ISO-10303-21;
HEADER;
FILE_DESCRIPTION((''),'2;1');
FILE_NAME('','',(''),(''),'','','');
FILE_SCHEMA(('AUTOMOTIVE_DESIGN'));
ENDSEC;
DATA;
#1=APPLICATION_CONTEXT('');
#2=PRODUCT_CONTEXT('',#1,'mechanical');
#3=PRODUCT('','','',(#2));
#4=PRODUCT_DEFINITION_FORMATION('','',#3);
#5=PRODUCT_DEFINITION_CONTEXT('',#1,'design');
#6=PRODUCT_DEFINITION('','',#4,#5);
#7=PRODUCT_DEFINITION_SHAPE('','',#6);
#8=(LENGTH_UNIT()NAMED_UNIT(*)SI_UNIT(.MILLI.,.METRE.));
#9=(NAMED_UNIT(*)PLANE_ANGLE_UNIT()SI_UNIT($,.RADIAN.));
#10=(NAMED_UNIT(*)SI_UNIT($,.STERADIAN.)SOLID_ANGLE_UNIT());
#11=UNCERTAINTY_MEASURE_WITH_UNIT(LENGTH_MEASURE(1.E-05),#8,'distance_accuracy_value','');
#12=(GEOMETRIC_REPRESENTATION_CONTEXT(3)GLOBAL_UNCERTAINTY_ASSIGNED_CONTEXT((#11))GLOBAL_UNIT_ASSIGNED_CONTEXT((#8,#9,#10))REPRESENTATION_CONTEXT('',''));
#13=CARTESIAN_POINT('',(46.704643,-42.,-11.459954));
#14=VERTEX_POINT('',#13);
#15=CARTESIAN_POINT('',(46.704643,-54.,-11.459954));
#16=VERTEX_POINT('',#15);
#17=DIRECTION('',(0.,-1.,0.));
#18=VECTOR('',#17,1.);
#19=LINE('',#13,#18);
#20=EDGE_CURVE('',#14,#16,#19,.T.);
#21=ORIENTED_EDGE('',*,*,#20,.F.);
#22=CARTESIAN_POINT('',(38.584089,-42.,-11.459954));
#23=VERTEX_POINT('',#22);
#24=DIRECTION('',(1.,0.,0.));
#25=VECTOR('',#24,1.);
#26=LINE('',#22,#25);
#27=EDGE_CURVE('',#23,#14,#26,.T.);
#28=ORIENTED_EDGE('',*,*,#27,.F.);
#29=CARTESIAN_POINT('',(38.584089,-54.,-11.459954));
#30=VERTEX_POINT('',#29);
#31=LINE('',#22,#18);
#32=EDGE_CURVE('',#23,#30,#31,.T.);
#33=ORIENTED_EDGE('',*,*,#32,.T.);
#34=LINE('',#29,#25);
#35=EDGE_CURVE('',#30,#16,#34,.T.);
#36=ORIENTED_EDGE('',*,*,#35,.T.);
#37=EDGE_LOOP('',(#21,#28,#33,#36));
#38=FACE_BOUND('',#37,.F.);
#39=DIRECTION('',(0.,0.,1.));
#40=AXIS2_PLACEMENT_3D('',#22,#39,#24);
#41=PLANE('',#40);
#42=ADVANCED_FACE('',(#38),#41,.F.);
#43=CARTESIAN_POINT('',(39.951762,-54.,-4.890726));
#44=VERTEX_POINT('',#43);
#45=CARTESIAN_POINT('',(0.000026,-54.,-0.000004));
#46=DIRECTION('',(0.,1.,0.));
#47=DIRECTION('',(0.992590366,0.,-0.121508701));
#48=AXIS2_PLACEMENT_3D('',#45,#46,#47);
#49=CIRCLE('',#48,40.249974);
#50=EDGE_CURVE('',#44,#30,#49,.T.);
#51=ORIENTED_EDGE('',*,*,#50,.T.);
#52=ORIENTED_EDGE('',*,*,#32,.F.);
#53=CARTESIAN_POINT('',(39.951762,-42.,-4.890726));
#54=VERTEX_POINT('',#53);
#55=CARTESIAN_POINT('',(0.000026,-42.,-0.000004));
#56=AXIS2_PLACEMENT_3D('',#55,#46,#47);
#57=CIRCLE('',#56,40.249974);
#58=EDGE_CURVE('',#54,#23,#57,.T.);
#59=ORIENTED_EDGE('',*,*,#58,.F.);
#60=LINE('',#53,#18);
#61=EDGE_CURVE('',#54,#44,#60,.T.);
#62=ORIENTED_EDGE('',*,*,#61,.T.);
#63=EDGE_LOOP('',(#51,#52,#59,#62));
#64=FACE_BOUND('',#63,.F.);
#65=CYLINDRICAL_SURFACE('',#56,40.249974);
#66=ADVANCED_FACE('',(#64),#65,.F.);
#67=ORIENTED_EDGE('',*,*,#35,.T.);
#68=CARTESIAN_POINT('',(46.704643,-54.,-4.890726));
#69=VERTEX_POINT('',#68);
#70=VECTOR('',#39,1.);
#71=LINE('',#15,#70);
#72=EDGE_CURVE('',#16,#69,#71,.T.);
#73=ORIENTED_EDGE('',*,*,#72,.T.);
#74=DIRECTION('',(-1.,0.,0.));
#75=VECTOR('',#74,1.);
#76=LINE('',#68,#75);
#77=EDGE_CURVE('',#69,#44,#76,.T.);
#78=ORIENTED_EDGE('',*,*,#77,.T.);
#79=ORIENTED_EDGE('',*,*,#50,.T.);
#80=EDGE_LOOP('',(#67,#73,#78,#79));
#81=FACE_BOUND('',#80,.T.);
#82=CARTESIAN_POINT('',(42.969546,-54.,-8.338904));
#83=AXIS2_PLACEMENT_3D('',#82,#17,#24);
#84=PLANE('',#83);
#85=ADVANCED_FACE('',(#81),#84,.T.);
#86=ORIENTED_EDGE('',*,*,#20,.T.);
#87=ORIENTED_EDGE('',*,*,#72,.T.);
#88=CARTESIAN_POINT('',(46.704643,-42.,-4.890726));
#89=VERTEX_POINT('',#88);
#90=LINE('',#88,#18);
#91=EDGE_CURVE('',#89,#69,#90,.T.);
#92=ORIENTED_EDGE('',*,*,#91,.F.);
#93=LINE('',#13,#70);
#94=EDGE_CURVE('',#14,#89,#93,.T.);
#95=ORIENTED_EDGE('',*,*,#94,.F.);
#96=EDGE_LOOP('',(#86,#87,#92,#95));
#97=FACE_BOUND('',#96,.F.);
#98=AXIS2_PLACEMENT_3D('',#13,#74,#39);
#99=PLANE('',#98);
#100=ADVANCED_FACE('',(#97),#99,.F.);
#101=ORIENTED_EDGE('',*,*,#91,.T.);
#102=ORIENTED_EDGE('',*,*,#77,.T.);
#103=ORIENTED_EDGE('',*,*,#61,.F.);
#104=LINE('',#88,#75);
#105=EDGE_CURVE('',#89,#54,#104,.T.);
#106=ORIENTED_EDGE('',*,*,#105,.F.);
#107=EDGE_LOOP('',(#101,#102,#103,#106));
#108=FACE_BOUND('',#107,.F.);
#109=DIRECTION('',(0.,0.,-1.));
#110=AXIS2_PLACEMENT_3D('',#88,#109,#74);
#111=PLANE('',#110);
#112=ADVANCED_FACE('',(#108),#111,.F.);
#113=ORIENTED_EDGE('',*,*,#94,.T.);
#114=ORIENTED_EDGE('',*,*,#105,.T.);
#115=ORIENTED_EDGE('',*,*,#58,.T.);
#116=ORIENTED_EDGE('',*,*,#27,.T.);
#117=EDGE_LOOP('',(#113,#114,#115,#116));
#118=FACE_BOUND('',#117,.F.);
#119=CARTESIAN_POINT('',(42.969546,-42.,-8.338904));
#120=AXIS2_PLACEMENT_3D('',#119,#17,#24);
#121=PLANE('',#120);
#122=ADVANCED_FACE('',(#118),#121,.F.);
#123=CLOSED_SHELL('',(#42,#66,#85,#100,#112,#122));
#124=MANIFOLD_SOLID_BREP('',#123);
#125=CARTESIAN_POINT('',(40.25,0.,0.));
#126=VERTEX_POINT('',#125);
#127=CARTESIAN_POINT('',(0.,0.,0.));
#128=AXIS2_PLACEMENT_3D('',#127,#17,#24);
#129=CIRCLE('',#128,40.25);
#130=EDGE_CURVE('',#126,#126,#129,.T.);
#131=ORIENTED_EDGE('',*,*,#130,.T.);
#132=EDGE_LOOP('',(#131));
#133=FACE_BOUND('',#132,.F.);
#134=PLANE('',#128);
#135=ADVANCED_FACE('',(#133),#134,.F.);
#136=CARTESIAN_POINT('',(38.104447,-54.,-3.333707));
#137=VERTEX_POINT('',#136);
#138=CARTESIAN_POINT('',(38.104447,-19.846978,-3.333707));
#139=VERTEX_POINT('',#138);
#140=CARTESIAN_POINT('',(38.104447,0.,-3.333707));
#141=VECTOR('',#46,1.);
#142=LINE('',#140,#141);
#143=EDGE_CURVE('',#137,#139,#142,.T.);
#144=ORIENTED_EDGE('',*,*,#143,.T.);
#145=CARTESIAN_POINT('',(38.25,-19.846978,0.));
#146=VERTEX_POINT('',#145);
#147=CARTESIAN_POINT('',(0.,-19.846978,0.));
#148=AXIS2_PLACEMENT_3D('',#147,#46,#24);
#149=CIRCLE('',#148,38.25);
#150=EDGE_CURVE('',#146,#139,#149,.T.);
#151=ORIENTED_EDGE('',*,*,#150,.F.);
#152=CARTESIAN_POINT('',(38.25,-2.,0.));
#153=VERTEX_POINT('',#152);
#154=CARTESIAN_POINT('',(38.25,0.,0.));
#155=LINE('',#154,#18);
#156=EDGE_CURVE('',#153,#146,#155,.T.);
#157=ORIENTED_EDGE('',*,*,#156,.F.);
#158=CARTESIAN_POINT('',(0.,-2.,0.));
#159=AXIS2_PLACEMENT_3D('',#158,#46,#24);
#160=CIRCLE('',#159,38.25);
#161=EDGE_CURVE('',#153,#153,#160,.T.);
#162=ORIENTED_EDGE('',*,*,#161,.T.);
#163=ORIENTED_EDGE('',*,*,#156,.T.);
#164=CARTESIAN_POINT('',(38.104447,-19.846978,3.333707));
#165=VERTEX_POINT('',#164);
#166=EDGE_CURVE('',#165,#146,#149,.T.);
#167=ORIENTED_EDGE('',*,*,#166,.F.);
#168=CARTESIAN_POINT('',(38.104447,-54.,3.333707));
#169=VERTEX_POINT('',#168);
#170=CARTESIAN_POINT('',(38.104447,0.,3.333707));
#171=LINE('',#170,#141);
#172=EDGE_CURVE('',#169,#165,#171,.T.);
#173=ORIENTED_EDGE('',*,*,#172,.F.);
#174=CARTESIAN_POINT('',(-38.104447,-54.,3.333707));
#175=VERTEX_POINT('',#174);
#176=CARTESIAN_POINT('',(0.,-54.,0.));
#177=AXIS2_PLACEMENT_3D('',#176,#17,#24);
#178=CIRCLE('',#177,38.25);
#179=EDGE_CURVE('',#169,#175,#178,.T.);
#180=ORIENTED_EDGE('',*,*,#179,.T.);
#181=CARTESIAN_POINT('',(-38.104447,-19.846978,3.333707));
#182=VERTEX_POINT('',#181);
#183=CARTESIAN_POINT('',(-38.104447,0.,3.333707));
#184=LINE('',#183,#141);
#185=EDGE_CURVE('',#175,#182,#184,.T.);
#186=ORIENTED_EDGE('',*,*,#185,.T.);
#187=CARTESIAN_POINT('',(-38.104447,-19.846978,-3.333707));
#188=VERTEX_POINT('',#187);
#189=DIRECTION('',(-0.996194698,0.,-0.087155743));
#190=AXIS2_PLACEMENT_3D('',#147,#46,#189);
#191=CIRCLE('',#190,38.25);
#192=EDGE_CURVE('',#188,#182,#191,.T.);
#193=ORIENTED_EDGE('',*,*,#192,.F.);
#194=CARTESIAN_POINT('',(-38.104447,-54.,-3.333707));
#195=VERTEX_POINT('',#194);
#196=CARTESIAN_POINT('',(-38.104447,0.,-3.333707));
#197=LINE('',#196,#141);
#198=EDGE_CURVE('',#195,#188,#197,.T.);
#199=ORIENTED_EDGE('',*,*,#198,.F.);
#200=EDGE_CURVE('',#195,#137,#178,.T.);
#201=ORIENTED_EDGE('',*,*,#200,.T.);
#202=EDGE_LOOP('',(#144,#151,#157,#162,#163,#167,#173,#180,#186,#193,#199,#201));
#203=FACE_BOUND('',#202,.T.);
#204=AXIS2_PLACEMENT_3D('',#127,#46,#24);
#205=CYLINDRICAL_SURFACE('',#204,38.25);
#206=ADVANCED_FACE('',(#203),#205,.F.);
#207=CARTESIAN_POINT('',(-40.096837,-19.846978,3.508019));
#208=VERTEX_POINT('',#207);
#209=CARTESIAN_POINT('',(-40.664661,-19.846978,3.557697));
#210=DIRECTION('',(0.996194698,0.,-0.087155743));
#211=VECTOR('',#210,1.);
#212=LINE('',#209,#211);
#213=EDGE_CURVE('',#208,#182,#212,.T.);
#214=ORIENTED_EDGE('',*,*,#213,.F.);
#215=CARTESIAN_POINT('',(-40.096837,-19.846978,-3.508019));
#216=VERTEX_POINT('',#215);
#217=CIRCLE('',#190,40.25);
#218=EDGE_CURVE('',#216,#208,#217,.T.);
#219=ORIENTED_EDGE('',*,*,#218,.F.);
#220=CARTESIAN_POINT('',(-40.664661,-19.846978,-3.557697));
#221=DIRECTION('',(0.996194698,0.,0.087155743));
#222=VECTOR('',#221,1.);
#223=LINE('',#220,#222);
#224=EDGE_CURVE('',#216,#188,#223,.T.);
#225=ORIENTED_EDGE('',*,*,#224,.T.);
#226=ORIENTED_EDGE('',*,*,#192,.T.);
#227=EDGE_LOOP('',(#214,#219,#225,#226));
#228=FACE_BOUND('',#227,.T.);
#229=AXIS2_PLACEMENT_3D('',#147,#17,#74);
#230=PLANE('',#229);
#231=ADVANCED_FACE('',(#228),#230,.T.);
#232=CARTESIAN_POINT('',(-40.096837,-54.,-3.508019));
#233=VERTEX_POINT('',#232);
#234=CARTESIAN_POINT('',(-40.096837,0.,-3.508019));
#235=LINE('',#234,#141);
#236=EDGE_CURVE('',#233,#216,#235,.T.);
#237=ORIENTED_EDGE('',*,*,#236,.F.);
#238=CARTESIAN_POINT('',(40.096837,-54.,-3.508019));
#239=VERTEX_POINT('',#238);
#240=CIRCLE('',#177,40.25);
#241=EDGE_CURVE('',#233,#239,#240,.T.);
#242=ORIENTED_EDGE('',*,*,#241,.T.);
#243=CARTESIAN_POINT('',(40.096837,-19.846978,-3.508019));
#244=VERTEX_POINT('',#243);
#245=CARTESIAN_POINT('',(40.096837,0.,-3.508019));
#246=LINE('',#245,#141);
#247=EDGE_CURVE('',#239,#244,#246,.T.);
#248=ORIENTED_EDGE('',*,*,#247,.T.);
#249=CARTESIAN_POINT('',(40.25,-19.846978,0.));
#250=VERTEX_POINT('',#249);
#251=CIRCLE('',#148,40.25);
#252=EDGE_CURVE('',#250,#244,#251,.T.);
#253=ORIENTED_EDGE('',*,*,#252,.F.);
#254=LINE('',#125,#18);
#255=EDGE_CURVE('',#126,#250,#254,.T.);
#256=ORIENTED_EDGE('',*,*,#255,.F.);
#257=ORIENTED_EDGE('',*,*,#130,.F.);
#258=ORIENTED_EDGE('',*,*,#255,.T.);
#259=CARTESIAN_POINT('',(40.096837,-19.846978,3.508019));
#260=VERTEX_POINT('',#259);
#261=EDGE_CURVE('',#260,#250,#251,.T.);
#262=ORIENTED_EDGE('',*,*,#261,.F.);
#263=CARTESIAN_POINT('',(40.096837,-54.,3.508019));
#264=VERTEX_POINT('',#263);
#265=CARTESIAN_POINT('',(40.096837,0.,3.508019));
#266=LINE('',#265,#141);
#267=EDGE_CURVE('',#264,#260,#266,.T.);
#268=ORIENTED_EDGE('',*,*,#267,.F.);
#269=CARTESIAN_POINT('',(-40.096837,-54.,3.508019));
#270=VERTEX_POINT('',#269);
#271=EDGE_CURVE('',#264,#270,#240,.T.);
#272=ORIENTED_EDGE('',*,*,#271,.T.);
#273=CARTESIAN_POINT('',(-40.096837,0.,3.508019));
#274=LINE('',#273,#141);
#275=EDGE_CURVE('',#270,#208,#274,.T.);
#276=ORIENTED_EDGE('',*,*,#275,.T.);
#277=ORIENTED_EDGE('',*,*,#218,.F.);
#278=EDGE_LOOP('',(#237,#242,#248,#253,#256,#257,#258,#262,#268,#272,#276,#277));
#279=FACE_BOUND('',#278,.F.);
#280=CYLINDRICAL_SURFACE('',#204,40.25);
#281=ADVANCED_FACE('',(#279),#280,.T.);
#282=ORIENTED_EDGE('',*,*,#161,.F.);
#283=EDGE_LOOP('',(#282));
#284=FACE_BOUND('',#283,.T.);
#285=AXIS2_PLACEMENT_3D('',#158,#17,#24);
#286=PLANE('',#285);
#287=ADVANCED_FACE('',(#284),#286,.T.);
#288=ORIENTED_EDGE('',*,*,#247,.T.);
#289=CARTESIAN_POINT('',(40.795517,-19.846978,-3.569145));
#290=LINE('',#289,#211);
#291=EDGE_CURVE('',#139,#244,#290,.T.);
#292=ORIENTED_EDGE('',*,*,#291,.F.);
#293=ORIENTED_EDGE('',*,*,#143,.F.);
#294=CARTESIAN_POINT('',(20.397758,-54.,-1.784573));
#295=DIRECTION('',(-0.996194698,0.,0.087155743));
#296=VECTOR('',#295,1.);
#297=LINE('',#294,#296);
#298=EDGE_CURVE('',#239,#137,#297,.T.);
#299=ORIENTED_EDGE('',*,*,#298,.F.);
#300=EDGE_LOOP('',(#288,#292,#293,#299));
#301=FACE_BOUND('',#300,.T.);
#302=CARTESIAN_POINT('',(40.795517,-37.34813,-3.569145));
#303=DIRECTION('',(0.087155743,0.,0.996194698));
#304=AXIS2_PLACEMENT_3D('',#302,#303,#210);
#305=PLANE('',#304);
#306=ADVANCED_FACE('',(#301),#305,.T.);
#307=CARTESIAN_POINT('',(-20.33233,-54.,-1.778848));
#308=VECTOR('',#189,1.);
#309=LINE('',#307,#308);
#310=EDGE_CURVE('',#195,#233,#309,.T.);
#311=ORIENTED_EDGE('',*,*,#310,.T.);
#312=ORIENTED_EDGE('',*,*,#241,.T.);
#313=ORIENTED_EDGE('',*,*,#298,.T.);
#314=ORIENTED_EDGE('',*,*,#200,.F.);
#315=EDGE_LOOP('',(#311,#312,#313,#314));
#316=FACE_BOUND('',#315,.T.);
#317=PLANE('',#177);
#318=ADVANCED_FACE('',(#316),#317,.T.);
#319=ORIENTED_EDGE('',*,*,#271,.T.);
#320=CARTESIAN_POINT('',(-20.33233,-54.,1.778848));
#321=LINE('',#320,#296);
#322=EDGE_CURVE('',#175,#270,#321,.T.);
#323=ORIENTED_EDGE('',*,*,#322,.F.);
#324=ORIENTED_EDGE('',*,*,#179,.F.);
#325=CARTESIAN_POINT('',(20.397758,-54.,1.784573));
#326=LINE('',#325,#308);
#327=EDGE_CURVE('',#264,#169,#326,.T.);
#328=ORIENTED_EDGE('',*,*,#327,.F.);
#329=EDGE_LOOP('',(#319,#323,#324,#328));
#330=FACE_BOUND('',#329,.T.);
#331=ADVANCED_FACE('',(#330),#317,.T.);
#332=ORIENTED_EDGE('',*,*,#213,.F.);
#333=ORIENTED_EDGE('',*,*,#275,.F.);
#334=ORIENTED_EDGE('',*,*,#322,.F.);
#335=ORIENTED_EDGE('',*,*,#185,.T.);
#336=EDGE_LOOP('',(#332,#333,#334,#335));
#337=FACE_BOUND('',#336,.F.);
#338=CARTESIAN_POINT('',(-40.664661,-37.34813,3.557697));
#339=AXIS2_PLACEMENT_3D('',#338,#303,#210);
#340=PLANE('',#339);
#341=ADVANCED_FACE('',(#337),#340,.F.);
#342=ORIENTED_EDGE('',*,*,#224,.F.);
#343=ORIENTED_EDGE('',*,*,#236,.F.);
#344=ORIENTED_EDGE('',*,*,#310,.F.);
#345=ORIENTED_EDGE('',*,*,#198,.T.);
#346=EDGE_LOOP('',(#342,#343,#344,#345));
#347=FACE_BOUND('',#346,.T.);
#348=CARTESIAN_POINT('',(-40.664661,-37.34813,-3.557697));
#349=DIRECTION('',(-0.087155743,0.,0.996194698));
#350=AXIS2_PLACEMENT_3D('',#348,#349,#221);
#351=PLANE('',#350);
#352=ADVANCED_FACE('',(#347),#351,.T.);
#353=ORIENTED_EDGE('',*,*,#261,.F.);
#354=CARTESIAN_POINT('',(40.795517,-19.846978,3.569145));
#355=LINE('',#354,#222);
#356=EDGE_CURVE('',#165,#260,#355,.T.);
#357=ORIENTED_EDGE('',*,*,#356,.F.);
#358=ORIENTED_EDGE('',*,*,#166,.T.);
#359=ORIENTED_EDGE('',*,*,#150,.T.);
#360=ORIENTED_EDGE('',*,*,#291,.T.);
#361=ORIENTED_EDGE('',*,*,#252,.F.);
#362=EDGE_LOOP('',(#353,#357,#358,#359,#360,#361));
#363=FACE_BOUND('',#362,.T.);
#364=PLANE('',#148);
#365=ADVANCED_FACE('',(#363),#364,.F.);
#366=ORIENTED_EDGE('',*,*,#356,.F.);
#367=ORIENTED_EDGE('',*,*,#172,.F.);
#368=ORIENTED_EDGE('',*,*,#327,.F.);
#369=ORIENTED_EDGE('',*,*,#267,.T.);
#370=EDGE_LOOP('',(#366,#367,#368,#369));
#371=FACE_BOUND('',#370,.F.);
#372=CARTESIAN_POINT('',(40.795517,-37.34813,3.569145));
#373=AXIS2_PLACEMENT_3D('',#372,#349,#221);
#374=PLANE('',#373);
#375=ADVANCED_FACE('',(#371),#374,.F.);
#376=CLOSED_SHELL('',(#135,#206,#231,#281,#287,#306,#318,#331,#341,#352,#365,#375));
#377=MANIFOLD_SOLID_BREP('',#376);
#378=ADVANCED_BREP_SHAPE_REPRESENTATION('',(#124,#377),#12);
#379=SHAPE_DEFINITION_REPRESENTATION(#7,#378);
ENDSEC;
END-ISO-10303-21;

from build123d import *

# Parameters (mm, degrees)
F0_R     = 40.25
F1_DEPTH = 54
F2_T     = -2
F3_W     = 6.55362
F3_H     = 35.002304
F3_W_2   = 6.255735
F4_ANGLE = 10
F6_DEPTH = 12


with BuildPart() as f1:
    # F0 (on Front) → F1 (new body)
    with BuildSketch(Plane.XZ):
        Circle(F0_R)
    extrude(amount=F1_DEPTH)

    # F2
    f2_openings = [f1.faces().sort_by_distance(p)[0] for p in [
        (0, -54, 0),
    ]]
    offset(amount=F2_T, openings=f2_openings)

    # F3 (on Top) → F4 (revolve, symmetric, cut)
    with BuildSketch(Plane.XY) as f4_sk:
        with Locations((40.951349, -37.34813)):
            Rectangle(F3_W, F3_H)
        with Locations((-40.819993, -37.34813)):
            Rectangle(F3_W_2, F3_H)
    revolve(axis=Axis((0, 0, 0), (0, -1, 0)), revolution_arc=F4_ANGLE / 2, mode=Mode.SUBTRACT)
    revolve(f4_sk.sketch, axis=Axis((0, 0, 0), (0, 1, 0)), revolution_arc=F4_ANGLE / 2, mode=Mode.SUBTRACT)


with BuildPart() as f6:
    # F5 (on Front) → F6 (new body)
    with BuildSketch(Plane.XZ):
        with BuildLine():
            Line((46.704643, -4.890726), (39.951762, -4.890726))
            ThreePointArc((39.951762, -4.890726), (39.405059, -8.20389), (38.584089, -11.459954))
            Line((38.584089, -11.459954), (46.704643, -11.459954))
            Line((46.704643, -11.459954), (46.704643, -4.890726))
        make_face()
    extrude(amount=F6_DEPTH)


with BuildPart() as f6_1:
    # F7: moved
    add(f6.part.moved(Location((0, -42, 0))))


solid = Compound([f1.part, f6_1.part])
